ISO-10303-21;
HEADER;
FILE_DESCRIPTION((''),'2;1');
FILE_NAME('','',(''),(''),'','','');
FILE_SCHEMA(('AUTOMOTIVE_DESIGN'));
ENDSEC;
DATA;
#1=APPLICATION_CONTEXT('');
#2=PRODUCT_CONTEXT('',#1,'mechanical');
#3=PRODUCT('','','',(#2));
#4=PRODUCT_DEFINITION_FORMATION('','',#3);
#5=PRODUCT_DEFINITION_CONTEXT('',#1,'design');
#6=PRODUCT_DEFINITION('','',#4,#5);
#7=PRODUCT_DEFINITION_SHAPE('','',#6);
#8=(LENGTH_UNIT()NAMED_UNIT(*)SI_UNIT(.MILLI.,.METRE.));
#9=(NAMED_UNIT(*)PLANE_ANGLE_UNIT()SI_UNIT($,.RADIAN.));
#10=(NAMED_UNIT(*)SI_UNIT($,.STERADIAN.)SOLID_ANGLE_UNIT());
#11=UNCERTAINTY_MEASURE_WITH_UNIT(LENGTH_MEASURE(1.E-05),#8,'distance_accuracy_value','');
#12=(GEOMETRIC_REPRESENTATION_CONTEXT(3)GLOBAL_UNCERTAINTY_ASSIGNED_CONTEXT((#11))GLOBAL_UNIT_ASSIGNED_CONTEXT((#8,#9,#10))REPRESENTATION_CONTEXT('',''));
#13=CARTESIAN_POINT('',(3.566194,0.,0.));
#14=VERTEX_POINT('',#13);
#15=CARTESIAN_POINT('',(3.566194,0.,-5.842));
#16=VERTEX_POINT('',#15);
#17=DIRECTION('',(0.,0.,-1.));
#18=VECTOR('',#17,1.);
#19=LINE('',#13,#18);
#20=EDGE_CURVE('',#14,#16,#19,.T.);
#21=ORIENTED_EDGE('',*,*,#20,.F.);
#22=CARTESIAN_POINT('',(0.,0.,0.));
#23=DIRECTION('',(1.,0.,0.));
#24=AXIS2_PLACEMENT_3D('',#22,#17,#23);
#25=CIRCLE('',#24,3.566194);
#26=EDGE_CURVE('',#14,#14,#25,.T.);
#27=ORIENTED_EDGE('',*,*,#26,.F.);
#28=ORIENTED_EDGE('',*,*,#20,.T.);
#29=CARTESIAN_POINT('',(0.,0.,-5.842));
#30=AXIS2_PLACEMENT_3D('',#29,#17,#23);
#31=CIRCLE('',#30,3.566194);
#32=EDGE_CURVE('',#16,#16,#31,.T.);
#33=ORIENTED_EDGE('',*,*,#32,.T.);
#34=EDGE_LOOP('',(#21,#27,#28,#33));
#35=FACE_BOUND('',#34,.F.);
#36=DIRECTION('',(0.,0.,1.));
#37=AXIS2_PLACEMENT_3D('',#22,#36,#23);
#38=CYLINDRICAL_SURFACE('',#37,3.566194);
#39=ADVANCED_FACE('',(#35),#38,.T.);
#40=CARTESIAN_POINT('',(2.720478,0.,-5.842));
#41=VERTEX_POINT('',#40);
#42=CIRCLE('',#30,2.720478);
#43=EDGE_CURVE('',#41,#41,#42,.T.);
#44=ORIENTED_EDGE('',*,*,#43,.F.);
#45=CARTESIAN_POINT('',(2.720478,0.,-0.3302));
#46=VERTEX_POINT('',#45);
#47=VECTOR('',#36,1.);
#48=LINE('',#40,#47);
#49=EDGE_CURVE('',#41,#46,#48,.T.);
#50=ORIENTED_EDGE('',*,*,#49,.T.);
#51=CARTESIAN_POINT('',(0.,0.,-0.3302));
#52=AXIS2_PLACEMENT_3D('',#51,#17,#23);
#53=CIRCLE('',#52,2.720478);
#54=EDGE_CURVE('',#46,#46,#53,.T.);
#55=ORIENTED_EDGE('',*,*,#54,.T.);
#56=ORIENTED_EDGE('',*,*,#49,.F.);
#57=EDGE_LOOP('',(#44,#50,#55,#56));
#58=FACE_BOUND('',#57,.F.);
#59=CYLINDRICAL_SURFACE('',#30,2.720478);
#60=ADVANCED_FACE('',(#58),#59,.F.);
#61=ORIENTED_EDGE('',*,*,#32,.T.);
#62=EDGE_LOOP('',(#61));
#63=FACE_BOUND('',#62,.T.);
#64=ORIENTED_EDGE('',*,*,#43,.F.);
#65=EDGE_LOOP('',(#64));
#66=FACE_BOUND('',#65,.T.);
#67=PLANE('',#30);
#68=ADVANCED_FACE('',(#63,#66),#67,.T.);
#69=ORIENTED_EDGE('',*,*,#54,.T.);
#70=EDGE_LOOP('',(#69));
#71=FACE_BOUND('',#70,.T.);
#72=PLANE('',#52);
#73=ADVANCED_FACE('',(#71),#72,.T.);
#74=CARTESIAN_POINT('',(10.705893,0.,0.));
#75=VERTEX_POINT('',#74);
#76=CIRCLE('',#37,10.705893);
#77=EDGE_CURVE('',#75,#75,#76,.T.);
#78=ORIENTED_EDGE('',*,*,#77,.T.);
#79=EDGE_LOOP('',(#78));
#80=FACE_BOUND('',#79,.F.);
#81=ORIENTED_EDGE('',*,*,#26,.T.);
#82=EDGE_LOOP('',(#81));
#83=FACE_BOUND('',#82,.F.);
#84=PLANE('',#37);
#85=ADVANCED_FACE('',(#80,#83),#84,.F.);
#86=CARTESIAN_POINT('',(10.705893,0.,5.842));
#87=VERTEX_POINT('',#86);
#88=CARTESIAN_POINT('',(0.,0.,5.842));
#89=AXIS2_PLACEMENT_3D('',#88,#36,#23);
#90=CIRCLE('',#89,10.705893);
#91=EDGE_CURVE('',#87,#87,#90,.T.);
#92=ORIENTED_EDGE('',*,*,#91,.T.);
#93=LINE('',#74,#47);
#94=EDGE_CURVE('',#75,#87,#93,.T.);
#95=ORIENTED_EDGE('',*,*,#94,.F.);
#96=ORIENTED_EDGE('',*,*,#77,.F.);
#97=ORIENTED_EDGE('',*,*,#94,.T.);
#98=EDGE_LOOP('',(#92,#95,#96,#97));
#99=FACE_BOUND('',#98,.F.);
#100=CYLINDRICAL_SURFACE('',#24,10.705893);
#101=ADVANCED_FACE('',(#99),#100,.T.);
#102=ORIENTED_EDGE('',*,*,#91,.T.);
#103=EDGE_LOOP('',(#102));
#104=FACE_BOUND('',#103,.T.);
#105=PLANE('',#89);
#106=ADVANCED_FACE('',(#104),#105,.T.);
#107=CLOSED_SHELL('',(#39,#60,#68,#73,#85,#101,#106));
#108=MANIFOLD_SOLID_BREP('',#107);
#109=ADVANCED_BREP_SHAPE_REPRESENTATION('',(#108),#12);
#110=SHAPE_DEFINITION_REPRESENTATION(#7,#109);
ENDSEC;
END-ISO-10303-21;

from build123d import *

# Parameters (mm, degrees)
F0_R     = 10.705893
F1_DEPTH = 5.842
F2_R     = 3.566194
F3_DEPTH = 5.842
F4_R     = 2.719536
F5_DEPTH = 5.5118
F6_R     = 2.717977
F7_DEPTH = 5.5118
F8_R     = 2.720478
F9_DEPTH = 5.5118


with BuildPart() as f1:
    # F0 (on Top) → F1 (new body)
    with BuildSketch(Plane.XY):
        Circle(F0_R)
    extrude(amount=F1_DEPTH)

    # F2 (on face) → F3 (join)
    with BuildSketch(Plane(origin=(0, 0, 0), x_dir=(1, 0, 0), z_dir=(0, 0, -1))):
        Circle(F2_R)
    extrude(amount=F3_DEPTH)

    # F4 (on face) → F5 (join)
    with BuildSketch(Plane(origin=(0, 0, -5.842), x_dir=(1, 0, 0), z_dir=(0, 0, -1))):
        Circle(F4_R)
    extrude(amount=-F5_DEPTH)

    # F6 (on face) → F7 (join)
    with BuildSketch(Plane(origin=(0, 0, -5.842), x_dir=(1, 0, 0), z_dir=(0, 0, -1))):
        Circle(F6_R)
    extrude(amount=-F7_DEPTH)

    # F8 (on face) → F9 (cut)
    with BuildSketch(Plane(origin=(0, 0, -5.842), x_dir=(1, 0, 0), z_dir=(0, 0, -1))):
        Circle(F8_R)
    extrude(amount=-F9_DEPTH, mode=Mode.SUBTRACT)


solid = f1.part
